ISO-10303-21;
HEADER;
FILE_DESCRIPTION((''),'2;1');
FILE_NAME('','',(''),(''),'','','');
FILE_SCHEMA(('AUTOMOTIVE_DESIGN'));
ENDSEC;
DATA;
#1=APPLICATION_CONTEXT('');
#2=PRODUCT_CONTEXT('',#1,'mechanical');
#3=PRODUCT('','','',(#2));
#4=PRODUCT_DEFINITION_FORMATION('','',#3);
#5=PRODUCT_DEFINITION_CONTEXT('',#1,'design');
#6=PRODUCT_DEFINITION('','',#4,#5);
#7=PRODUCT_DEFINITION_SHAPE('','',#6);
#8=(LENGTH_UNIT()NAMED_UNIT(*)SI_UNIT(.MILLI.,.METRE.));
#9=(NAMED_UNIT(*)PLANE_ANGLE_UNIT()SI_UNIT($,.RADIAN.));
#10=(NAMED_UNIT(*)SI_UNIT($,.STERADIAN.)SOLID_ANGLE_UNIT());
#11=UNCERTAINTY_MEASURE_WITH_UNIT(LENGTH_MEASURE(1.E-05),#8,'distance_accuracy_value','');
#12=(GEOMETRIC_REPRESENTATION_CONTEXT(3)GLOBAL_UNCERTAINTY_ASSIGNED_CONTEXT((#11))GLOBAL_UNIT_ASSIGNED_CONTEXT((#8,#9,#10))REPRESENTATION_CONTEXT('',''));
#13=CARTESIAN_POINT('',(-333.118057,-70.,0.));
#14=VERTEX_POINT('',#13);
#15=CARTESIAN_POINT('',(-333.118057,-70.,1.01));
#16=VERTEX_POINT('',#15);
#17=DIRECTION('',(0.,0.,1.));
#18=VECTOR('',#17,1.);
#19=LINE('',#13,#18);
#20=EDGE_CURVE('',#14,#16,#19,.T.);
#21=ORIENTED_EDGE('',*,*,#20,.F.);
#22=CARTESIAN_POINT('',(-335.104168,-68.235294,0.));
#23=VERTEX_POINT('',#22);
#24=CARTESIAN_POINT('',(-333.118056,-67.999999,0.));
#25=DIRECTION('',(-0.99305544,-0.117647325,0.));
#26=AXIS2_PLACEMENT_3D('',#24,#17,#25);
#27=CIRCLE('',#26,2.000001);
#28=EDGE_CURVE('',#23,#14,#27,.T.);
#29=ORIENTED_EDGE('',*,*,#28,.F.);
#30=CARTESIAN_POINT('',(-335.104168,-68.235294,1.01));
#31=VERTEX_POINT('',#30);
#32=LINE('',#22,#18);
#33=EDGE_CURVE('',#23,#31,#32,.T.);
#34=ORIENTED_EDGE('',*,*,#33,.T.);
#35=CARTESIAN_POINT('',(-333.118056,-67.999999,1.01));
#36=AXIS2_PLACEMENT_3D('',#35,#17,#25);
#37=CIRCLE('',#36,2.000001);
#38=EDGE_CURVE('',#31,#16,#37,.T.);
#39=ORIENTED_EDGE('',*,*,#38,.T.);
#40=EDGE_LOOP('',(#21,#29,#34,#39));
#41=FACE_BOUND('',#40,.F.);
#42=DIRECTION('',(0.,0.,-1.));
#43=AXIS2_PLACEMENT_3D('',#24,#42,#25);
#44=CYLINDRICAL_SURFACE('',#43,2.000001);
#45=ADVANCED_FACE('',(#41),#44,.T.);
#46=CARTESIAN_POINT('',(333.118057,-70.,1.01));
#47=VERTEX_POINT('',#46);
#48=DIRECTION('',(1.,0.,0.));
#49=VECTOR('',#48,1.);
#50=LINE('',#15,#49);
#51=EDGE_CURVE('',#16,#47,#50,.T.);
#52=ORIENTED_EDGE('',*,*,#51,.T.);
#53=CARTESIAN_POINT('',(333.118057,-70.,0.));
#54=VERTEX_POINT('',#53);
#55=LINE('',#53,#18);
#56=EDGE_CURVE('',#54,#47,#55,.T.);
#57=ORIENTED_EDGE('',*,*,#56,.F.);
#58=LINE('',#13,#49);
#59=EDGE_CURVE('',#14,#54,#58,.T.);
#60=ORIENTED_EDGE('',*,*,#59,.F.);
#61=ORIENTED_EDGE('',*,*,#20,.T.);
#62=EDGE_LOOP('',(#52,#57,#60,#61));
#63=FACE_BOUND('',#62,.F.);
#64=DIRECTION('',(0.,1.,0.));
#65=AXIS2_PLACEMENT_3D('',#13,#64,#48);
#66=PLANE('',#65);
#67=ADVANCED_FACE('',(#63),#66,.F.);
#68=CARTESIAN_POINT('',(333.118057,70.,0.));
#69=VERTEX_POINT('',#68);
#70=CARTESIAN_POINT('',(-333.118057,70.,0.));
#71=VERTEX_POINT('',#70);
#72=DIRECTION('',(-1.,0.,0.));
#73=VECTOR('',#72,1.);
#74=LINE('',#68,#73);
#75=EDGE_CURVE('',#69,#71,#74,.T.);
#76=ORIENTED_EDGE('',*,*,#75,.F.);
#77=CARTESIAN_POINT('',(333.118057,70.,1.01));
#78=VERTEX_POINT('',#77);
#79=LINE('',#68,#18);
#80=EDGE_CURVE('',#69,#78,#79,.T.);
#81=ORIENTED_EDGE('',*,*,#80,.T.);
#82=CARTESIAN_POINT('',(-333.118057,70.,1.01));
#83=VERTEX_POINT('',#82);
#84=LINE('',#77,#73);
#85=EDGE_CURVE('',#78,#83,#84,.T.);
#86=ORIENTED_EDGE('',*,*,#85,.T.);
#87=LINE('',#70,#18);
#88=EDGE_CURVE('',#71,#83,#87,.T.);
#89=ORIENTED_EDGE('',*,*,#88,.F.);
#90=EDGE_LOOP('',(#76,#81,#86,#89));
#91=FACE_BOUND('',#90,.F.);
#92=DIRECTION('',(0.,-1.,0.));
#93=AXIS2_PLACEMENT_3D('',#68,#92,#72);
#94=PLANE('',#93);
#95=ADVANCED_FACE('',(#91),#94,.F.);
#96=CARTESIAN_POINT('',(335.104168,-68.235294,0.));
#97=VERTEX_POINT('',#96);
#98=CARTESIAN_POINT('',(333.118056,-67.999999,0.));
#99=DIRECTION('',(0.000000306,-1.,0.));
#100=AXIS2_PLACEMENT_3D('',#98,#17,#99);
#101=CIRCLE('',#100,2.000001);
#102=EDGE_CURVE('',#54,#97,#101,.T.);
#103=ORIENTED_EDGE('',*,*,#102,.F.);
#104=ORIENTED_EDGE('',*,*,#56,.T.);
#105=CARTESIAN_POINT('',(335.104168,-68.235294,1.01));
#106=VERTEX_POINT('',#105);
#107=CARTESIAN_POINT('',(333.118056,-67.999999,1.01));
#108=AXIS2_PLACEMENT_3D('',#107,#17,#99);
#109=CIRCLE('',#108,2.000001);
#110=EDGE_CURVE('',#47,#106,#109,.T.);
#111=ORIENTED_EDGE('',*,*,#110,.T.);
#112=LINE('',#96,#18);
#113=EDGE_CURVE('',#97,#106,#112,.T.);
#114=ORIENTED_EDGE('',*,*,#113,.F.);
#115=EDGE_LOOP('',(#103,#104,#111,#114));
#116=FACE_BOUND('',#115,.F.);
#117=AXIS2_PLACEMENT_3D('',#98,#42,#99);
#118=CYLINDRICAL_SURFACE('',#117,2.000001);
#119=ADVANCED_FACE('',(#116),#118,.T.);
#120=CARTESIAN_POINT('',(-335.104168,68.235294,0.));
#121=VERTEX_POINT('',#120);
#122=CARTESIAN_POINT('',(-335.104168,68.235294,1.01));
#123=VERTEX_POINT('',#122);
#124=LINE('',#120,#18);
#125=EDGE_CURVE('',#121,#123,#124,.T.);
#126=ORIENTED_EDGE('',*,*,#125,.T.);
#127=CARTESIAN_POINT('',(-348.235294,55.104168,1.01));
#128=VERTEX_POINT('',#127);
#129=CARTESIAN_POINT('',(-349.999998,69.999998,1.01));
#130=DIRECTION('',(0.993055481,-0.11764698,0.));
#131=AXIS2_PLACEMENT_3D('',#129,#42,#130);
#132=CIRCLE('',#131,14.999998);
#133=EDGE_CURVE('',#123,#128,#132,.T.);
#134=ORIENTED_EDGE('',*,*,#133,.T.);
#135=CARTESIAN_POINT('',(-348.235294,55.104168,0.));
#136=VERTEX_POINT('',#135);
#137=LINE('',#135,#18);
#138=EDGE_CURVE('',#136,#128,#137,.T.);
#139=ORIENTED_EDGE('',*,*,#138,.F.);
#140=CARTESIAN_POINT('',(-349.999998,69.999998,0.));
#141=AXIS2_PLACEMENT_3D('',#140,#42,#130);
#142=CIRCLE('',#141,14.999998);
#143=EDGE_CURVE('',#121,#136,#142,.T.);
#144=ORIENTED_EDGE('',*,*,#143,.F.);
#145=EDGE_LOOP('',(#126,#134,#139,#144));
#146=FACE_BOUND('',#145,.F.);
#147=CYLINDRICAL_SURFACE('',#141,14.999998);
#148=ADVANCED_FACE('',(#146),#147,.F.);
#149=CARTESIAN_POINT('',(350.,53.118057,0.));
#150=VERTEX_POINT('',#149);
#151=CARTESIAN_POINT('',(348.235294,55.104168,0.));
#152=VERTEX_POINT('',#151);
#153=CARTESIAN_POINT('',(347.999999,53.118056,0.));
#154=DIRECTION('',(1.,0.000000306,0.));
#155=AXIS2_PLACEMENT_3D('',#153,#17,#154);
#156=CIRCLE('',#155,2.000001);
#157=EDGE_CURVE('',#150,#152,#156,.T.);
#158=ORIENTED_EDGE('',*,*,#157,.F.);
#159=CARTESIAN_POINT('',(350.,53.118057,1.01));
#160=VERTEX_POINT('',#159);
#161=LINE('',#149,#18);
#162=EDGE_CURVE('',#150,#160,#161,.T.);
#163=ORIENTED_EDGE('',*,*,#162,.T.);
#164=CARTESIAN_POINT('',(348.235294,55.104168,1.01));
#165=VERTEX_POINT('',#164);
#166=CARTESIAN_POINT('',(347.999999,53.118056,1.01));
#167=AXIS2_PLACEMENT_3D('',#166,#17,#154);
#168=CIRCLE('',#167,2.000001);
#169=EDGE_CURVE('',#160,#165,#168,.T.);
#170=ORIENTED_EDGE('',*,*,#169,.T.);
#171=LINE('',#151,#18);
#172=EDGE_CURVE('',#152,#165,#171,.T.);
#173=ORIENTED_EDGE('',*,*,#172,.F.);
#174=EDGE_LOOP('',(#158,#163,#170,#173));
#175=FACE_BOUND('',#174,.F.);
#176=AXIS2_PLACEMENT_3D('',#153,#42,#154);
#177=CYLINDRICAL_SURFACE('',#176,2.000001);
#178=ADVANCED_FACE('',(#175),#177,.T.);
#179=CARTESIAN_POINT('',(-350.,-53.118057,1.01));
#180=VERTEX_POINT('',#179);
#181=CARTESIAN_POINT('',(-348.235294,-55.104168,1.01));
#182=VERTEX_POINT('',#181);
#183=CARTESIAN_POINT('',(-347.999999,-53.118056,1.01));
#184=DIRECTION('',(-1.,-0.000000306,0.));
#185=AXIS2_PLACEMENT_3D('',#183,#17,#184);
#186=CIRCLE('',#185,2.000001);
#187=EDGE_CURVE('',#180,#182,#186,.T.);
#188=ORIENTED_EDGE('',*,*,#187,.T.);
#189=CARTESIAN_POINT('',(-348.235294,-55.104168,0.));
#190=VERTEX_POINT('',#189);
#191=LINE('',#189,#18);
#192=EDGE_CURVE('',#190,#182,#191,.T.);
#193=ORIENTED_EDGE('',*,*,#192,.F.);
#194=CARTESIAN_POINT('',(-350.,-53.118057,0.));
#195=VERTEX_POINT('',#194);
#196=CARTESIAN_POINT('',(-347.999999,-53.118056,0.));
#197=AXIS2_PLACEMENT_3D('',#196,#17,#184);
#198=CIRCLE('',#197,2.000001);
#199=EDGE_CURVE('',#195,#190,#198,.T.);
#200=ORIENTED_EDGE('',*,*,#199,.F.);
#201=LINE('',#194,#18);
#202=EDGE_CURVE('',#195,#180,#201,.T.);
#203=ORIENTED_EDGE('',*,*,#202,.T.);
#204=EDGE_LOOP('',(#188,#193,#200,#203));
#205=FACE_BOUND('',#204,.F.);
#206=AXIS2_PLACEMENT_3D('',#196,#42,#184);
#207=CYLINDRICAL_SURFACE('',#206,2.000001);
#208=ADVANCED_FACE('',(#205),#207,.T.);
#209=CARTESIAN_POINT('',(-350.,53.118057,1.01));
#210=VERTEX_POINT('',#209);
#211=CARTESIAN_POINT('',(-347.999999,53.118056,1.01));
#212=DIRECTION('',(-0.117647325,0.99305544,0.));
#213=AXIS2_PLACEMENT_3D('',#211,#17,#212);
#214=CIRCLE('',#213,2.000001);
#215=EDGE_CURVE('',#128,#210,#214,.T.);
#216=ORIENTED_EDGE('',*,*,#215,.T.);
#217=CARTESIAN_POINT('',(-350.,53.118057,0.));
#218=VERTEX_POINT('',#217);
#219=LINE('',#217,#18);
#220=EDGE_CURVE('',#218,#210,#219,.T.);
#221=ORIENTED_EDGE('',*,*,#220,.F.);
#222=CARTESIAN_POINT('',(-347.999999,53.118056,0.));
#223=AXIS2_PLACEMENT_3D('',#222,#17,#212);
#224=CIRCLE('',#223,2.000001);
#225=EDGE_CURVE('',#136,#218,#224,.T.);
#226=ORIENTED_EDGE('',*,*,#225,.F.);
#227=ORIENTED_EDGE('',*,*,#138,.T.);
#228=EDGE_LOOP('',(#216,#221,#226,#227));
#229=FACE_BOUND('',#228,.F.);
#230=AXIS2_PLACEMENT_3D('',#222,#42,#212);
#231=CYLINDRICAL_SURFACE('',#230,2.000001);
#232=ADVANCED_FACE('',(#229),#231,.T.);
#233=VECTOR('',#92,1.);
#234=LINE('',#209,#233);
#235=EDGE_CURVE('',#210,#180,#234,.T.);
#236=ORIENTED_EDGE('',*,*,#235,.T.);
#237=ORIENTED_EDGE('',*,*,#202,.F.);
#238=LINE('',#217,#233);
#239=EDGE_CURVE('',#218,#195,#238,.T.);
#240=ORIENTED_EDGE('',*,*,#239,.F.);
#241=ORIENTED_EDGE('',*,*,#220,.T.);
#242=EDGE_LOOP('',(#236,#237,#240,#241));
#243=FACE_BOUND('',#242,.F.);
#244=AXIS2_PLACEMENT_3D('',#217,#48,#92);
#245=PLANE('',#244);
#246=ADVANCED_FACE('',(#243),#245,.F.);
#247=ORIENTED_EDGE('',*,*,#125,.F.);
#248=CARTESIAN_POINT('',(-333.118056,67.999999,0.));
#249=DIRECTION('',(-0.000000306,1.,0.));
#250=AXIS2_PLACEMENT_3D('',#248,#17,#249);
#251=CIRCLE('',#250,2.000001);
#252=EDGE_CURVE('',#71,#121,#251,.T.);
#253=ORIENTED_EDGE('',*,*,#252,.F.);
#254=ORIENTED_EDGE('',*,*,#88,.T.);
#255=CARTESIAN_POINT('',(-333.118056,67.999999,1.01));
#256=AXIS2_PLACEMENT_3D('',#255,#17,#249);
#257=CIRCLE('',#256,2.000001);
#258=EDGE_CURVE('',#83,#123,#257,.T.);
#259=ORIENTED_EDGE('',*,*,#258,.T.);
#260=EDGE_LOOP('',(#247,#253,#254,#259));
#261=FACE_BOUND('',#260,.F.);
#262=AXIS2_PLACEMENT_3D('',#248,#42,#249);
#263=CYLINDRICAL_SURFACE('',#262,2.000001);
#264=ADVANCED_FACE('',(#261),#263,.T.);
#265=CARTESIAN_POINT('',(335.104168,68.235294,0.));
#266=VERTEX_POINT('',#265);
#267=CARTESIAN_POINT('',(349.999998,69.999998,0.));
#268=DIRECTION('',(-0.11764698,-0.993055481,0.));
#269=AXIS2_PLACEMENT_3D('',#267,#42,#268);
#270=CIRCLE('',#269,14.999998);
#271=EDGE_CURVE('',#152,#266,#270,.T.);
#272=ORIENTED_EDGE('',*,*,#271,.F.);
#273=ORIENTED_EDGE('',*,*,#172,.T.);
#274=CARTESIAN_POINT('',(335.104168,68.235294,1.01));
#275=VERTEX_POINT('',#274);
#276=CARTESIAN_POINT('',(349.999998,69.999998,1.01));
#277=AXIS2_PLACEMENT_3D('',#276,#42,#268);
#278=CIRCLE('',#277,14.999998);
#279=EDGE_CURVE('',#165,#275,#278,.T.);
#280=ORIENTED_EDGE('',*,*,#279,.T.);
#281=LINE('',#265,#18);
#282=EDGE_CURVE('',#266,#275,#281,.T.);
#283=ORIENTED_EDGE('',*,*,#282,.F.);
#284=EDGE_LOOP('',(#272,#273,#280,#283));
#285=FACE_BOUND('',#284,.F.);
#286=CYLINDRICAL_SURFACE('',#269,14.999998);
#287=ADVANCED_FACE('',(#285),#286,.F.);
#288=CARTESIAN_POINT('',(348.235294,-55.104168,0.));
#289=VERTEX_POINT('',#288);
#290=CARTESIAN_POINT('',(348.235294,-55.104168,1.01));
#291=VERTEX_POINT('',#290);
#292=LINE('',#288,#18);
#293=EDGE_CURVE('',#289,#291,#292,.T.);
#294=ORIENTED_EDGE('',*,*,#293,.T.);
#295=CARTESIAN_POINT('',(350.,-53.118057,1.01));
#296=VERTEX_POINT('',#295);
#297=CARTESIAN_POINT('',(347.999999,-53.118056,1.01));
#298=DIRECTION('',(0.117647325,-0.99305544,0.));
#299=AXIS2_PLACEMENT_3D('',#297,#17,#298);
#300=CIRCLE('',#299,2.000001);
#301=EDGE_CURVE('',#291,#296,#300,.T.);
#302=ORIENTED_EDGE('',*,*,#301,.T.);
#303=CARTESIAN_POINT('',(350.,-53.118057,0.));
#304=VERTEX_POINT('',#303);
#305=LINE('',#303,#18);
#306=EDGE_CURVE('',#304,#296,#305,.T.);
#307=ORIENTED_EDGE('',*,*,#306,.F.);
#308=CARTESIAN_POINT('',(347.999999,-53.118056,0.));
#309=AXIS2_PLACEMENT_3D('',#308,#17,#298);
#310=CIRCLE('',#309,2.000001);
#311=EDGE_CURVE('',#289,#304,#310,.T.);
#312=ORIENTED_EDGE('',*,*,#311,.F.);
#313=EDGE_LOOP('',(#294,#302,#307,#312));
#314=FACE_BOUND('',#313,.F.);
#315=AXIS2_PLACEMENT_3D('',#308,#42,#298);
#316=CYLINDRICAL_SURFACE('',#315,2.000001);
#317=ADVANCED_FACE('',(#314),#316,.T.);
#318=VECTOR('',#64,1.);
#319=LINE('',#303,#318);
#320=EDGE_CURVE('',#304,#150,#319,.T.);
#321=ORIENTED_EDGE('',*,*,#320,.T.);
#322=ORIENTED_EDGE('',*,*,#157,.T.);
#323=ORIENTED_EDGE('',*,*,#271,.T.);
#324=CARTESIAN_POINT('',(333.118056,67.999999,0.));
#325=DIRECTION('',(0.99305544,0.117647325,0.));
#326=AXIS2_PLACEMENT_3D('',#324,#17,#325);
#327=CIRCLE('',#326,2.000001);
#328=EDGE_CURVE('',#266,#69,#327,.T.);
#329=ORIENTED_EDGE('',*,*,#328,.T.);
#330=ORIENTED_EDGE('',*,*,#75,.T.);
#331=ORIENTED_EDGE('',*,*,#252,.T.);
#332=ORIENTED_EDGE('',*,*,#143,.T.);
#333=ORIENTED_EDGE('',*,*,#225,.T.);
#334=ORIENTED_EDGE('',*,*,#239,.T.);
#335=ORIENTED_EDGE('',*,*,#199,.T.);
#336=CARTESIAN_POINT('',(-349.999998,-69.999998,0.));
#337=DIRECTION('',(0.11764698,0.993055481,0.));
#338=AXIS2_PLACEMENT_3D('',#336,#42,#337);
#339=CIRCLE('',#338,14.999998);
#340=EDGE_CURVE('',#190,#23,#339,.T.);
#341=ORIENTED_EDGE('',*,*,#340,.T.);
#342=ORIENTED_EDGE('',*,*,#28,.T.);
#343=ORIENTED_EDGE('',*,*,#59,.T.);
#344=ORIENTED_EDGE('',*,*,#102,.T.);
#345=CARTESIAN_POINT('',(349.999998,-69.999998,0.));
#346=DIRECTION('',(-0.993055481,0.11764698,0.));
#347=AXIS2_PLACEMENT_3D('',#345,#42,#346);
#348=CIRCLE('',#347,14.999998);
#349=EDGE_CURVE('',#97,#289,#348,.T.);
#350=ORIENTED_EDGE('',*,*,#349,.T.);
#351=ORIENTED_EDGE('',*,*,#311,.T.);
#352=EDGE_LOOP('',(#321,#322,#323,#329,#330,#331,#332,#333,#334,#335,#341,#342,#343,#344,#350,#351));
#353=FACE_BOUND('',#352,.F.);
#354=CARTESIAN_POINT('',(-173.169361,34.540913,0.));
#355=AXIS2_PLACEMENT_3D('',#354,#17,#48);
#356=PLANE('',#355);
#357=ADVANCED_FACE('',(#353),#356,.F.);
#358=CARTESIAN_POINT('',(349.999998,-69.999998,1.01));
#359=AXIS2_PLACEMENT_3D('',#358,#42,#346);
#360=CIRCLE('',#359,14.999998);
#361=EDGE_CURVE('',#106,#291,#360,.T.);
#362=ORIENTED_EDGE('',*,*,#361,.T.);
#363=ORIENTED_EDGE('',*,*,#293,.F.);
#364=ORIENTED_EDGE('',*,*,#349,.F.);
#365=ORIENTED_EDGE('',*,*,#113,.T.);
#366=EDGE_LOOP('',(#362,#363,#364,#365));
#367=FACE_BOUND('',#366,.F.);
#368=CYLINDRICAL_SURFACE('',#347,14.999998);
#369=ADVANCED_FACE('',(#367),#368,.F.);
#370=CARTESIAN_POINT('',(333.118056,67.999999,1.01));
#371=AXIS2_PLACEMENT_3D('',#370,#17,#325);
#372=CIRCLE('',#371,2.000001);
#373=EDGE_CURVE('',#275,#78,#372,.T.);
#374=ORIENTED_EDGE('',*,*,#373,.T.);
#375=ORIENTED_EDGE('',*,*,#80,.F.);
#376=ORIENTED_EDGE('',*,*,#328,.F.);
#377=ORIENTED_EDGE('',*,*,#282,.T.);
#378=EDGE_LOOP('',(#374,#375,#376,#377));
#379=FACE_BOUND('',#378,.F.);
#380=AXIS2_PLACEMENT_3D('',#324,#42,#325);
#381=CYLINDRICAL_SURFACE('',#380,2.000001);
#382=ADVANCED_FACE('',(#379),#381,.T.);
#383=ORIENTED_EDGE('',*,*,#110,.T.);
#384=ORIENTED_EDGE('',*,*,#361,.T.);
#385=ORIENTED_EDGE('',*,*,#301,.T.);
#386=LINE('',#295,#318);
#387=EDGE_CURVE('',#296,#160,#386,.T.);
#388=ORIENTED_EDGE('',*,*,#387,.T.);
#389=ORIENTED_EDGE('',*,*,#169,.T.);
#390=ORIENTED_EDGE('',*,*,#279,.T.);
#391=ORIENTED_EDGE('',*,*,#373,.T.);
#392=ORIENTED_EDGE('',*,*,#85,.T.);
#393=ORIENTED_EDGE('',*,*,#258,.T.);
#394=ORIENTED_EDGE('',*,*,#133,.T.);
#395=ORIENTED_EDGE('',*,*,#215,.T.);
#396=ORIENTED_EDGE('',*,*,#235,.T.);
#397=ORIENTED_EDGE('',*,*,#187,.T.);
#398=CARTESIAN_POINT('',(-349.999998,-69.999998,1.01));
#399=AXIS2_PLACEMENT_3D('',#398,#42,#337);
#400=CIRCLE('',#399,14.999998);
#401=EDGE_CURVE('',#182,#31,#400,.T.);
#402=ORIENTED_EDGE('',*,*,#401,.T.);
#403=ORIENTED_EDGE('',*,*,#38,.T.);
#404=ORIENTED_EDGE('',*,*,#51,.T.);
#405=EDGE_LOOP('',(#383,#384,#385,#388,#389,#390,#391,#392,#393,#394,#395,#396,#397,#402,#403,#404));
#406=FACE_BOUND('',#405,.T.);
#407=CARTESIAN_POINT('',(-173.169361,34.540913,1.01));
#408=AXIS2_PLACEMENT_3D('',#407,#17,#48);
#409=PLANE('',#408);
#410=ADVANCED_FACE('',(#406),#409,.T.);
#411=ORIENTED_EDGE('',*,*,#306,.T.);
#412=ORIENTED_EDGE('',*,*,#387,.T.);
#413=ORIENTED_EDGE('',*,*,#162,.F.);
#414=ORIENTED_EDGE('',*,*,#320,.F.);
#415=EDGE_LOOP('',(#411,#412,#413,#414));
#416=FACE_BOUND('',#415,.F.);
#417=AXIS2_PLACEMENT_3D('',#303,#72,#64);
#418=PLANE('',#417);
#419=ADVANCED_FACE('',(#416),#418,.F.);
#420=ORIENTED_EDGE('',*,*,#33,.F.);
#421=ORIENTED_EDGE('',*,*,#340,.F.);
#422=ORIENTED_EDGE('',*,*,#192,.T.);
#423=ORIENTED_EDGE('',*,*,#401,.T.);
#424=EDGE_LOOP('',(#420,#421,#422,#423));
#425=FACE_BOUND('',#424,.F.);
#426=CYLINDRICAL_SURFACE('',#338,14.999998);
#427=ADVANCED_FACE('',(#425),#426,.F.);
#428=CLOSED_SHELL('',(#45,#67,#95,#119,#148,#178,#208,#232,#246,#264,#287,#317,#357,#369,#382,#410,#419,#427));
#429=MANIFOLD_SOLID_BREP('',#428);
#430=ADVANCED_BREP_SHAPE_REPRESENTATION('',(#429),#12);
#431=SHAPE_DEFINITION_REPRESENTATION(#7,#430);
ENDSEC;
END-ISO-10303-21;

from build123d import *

# Parameters (mm, degrees)
F1_DEPTH = 1.01


with BuildPart() as f1:
    # F0 (on Top) → F1 (new body)
    with BuildSketch(Plane.XY):
        with BuildLine():
            Line((0, 70), (-333.118057, 70))
            ThreePointArc((-333.118057, 70), (-334.446479, 69.49509), (-335.104168, 68.235294))
            ThreePointArc((-335.104168, 68.235294), (-339.393398, 59.393398), (-348.235294, 55.104168))
            ThreePointArc((-348.235294, 55.104168), (-349.49509, 54.446479), (-350, 53.118057))
            Line((-350, 53.118057), (-350, 0))
            Line((-350, 0), (0, 0))
            Line((0, 0), (0, 70))
        make_face()
        with BuildLine():
            Line((333.118057, 70), (0, 70))
            Line((0, 70), (0, 0))
            Line((0, 0), (350, 0))
            Line((350, 0), (350, 53.118057))
            ThreePointArc((350, 53.118057), (349.49509, 54.446479), (348.235294, 55.104168))
            ThreePointArc((348.235294, 55.104168), (339.393398, 59.393398), (335.104168, 68.235294))
            ThreePointArc((335.104168, 68.235294), (334.446479, 69.49509), (333.118057, 70))
        make_face()
        with BuildLine():
            Line((0, -70), (0, 0))
            Line((0, 0), (-350, 0))
            Line((-350, 0), (-350, -53.118057))
            ThreePointArc((-350, -53.118057), (-349.49509, -54.446479), (-348.235294, -55.104168))
            ThreePointArc((-348.235294, -55.104168), (-339.393398, -59.393398), (-335.104168, -68.235294))
            ThreePointArc((-335.104168, -68.235294), (-334.446479, -69.49509), (-333.118057, -70))
            Line((-333.118057, -70), (0, -70))
        make_face()
        with BuildLine():
            Line((350, 0), (0, 0))
            Line((0, 0), (0, -70))
            Line((0, -70), (333.118057, -70))
            ThreePointArc((333.118057, -70), (334.446479, -69.49509), (335.104168, -68.235294))
            ThreePointArc((335.104168, -68.235294), (339.393398, -59.393398), (348.235294, -55.104168))
            ThreePointArc((348.235294, -55.104168), (349.49509, -54.446479), (350, -53.118057))
            Line((350, -53.118057), (350, 0))
        make_face()
    extrude(amount=F1_DEPTH)


solid = f1.part
